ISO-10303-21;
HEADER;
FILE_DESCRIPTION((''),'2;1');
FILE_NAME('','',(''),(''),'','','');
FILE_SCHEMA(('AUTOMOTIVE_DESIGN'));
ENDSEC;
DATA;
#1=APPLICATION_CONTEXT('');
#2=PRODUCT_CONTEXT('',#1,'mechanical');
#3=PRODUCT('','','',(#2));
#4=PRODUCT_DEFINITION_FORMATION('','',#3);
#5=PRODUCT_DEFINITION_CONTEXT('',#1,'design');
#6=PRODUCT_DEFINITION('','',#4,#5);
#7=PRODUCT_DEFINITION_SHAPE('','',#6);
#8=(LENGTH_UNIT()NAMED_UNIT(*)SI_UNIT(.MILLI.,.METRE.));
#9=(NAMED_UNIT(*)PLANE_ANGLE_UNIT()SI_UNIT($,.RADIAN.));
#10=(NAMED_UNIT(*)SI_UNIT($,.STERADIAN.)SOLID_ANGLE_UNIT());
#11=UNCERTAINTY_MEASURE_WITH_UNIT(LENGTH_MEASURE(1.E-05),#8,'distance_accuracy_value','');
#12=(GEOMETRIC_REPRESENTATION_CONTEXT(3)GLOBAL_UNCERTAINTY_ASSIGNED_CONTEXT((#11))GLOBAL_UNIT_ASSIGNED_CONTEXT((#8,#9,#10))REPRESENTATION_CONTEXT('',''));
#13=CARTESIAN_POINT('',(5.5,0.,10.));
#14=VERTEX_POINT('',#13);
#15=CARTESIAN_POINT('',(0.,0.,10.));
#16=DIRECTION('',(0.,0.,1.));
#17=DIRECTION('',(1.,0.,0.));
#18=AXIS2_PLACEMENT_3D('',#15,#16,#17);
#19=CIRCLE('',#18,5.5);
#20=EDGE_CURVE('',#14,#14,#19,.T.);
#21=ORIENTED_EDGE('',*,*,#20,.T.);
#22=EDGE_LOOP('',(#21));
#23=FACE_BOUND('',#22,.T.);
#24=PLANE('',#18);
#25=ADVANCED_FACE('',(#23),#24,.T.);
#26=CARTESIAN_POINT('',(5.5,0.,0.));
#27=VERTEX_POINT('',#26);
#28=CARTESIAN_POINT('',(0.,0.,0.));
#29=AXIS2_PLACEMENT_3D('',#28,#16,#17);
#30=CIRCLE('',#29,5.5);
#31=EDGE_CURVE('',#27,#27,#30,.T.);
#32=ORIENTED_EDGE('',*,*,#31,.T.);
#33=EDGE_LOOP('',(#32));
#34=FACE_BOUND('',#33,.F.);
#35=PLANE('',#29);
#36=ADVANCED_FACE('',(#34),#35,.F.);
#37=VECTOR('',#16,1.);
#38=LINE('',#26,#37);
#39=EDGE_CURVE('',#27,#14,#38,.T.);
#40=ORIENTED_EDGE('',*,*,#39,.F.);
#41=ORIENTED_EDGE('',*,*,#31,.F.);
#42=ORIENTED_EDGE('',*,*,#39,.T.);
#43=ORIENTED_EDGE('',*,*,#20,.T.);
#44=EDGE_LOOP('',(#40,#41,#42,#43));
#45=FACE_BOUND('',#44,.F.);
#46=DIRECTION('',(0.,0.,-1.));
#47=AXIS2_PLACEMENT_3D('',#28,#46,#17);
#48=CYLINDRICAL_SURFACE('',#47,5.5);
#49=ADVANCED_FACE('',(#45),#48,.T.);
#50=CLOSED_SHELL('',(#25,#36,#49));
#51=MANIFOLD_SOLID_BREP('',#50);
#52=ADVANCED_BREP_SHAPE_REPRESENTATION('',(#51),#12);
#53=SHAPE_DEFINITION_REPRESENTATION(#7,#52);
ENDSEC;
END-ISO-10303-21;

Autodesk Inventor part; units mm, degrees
ref_plane "YZ Plane" through (0, 0, 0) normal (1, 0, 0) x (0, 1, 0)
ref_plane "XZ Plane" through (0, 0, 0) normal (0, 1, 0) x (-1, 0, 0)
ref_plane "XY Plane" through (0, 0, 0) normal (0, 0, 1) x (1, 0, 0)
sketch "Sketch1" plane through (0, 0, 0) normal (0, 0, 1) x (1, 0, 0)
  circle A0 centre (0, 0) radius 5.5
  dimension "d0" = 11
extrude "Extrusion1" add sketch "Sketch1" along normal blind 10
properties part number "perno1"
